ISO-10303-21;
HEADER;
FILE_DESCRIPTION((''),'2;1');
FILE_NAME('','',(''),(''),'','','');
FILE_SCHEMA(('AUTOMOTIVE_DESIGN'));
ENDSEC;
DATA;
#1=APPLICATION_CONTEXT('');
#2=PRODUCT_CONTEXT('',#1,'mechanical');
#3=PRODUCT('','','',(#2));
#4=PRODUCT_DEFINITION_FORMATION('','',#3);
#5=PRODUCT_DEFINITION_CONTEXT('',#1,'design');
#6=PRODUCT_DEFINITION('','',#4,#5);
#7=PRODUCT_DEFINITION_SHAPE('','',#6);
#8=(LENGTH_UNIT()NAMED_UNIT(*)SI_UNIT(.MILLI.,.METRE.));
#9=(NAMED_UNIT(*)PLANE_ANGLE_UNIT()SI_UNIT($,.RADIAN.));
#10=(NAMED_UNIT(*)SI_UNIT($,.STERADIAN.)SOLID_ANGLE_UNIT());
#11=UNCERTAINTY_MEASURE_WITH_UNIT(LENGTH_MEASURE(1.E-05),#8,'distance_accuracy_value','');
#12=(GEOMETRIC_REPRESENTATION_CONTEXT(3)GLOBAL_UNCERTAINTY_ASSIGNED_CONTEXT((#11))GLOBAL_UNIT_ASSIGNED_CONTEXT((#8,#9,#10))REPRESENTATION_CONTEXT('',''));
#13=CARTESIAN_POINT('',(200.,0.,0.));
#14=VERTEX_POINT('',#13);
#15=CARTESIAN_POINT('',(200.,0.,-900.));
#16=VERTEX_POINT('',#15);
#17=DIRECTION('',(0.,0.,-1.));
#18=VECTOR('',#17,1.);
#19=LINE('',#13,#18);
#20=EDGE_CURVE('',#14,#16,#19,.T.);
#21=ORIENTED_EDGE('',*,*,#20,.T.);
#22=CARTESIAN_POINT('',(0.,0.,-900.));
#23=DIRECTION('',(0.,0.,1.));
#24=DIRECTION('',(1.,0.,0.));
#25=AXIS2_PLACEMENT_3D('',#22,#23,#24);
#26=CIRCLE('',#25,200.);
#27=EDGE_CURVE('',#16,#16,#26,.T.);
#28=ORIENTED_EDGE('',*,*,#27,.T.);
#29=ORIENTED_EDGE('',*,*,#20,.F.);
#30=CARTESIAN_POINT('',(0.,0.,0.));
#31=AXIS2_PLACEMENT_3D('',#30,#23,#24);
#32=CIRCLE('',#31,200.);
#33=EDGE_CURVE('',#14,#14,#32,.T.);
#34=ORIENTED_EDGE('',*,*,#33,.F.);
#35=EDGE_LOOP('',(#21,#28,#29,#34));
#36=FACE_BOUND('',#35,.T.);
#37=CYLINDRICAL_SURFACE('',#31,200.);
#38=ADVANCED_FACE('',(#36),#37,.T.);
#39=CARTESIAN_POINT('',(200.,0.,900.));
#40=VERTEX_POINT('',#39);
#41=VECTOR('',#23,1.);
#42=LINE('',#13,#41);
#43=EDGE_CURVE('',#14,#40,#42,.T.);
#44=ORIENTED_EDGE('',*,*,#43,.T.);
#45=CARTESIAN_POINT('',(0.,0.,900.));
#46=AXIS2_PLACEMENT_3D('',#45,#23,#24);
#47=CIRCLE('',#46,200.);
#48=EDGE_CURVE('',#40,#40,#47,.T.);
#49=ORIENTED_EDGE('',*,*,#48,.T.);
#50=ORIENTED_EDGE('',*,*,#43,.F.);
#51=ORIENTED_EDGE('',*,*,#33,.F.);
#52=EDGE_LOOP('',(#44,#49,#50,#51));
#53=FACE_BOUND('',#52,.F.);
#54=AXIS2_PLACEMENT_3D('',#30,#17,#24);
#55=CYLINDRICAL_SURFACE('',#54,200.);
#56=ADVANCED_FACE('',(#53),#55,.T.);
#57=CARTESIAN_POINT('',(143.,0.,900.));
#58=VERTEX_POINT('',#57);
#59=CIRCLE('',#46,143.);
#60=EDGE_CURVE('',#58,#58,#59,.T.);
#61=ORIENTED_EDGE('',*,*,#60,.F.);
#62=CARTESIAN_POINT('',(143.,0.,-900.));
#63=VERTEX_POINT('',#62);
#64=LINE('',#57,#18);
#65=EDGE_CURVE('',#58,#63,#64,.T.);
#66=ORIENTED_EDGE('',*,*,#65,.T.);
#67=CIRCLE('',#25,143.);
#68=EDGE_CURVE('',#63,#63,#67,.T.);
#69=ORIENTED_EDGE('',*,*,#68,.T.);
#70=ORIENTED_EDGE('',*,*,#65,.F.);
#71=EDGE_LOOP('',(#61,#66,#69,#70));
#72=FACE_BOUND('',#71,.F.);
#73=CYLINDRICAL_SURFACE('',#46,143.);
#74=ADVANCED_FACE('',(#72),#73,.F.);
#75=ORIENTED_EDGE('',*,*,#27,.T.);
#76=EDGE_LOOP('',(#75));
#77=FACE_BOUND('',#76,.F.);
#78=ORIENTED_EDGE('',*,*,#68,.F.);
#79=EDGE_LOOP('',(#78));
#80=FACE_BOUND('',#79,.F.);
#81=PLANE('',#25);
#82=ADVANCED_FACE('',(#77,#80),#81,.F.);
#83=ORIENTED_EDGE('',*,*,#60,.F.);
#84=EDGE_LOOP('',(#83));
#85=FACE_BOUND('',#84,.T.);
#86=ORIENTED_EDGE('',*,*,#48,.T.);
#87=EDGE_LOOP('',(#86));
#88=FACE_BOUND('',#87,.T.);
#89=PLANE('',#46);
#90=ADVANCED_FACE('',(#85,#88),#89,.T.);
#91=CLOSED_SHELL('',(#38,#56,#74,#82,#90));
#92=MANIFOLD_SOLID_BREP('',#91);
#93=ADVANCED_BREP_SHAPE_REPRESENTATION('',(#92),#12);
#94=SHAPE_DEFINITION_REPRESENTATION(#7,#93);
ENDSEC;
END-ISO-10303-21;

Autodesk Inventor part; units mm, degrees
ref_plane "YZ Plane" through (0, 0, 0) normal (1, 0, 0) x (0, 1, 0)
ref_plane "XZ Plane" through (0, 0, 0) normal (0, 1, 0) x (-1, 0, 0)
ref_plane "XY Plane" through (0, 0, 0) normal (0, 0, 1) x (1, 0, 0)
sketch "Sketch1" plane through (0, 0, 0) normal (0, 0, 1) x (1, 0, 0)
  circle A0 centre (0, 0) radius 200
  dimension "d0" = 400
extrude "Extrusion1" add sketch "Sketch1" along normal mid plane 1800
sketch "Sketch2" plane through (0, 0, 900) normal (0, 0, 1) x (1, 0, 0)
  circle A0 centre (0, 0) radius 143
  dimension "d3" = 286
extrude "Extrusion2" cut sketch "Sketch2" against normal through all
properties part number "POSITRONS"
